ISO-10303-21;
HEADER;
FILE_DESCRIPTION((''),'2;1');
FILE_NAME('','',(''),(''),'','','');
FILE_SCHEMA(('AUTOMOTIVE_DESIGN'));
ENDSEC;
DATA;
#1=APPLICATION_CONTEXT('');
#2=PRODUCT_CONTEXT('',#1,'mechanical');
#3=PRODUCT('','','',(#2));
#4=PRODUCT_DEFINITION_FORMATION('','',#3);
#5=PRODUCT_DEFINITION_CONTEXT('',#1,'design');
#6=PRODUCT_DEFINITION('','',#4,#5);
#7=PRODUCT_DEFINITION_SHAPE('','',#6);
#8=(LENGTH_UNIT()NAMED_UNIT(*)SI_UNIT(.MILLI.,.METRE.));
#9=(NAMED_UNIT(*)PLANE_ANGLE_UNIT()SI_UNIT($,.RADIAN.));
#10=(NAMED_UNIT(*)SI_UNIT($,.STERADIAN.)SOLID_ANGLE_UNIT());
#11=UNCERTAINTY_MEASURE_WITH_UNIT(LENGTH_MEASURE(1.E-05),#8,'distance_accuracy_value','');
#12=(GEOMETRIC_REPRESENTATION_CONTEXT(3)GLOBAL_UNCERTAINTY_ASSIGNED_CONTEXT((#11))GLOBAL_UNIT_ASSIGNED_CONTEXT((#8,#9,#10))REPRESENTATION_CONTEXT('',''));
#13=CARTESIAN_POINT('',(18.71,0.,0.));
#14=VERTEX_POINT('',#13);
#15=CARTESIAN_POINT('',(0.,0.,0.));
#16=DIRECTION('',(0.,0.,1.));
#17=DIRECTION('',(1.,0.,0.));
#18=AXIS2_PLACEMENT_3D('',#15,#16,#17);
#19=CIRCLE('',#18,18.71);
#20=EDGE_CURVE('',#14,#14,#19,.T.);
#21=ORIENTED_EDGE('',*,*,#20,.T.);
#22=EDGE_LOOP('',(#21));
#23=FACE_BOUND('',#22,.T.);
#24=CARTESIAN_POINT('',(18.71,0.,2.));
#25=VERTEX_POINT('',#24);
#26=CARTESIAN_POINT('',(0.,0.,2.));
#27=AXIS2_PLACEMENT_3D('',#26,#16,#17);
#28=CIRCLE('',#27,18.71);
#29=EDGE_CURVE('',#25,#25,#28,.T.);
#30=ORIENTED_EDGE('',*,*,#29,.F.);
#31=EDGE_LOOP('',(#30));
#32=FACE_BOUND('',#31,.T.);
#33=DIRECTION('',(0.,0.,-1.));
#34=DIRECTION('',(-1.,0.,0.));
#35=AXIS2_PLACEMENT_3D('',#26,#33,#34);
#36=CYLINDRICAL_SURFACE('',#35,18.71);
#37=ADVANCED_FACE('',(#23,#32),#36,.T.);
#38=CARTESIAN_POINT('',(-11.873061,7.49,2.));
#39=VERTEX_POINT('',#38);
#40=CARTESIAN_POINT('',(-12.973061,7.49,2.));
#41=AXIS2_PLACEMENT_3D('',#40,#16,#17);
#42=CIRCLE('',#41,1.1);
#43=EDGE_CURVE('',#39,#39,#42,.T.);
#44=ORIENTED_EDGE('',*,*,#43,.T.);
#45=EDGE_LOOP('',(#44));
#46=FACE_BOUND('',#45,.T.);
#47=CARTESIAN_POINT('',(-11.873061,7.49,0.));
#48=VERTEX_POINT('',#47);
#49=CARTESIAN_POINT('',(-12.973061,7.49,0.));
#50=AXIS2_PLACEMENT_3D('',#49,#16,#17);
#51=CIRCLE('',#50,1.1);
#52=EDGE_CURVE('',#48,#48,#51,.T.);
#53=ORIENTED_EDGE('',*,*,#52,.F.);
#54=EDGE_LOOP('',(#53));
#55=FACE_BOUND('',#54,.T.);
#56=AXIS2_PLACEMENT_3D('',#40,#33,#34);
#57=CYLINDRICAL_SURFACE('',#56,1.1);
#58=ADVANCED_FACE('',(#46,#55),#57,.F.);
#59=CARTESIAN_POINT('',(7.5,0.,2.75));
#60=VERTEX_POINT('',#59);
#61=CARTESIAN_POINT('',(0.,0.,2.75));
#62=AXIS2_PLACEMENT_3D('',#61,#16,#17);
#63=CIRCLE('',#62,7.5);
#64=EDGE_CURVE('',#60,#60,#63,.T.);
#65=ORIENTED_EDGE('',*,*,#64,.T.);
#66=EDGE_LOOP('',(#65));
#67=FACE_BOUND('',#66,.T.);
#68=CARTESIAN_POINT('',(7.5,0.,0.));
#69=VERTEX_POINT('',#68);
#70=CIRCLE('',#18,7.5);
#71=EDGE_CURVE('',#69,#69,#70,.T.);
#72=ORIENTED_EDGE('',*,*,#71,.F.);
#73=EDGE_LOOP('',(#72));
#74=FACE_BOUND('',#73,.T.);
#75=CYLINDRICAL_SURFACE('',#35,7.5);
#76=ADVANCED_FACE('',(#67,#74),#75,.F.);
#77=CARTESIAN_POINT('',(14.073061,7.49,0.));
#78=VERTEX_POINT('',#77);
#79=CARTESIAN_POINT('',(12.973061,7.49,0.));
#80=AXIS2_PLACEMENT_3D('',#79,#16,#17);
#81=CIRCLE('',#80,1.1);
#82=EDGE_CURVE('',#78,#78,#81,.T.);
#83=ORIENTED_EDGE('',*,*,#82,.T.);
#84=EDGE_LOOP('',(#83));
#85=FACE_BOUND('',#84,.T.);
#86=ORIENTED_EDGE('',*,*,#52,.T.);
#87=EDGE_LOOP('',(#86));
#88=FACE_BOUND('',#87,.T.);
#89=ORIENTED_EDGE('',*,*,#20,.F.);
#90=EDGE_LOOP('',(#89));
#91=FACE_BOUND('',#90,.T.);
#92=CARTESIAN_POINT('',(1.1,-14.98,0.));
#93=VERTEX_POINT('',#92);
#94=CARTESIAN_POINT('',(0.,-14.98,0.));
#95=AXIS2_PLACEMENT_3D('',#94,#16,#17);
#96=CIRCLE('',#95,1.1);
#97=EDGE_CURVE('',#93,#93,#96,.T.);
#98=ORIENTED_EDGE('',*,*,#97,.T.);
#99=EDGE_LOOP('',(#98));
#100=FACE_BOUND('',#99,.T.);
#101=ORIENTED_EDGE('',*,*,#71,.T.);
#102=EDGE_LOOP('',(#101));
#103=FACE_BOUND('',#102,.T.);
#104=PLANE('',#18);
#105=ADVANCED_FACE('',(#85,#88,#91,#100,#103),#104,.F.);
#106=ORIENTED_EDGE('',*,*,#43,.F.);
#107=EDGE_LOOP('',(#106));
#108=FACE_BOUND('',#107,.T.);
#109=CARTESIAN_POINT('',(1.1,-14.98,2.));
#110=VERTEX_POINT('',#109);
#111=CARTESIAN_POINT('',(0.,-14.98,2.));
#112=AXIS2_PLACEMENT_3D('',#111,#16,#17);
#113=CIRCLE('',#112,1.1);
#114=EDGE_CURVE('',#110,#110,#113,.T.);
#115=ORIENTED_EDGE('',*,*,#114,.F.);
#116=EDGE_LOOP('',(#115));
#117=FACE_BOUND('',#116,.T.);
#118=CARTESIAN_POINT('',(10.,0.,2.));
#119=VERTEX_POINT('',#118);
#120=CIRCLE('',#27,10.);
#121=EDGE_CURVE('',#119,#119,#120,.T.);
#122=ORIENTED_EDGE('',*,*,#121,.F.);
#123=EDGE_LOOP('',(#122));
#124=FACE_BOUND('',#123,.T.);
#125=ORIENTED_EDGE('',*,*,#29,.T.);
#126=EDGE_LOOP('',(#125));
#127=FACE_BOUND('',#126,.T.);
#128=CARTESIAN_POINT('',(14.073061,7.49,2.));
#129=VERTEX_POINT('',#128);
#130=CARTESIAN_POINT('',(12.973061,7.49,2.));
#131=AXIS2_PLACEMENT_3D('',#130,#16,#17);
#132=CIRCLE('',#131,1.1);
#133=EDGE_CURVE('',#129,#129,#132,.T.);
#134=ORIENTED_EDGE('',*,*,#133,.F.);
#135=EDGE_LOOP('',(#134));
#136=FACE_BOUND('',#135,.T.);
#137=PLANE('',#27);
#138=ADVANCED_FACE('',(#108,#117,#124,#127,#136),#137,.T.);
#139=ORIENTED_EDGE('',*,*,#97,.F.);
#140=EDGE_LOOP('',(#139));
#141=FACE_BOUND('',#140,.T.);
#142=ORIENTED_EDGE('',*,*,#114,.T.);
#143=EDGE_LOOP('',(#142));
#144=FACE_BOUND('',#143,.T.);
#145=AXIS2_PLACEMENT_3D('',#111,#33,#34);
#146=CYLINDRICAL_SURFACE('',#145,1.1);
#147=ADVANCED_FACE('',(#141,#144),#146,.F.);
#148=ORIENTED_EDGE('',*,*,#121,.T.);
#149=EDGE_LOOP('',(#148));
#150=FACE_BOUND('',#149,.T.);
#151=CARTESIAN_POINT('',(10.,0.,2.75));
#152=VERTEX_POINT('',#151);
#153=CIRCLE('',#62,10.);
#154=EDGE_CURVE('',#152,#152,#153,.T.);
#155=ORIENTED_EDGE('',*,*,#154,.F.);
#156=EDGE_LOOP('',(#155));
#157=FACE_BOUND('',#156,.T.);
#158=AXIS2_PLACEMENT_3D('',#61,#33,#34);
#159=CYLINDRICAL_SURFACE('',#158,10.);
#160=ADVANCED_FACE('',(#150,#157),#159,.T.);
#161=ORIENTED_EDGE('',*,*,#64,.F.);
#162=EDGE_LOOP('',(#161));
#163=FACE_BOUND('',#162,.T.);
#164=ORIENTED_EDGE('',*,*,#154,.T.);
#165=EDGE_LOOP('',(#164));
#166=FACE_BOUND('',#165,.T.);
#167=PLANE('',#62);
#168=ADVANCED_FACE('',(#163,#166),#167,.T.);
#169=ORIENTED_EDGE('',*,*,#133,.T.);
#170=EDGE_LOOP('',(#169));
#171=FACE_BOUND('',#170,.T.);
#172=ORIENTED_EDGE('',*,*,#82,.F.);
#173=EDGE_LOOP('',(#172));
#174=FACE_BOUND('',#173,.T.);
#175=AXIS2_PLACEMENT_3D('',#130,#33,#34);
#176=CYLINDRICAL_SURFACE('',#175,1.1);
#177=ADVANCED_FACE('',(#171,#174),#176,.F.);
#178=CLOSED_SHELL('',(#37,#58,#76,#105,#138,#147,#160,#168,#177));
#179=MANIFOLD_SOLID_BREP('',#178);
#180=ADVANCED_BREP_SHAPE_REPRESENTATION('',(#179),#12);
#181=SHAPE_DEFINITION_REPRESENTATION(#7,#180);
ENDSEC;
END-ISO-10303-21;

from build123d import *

# Parameters (mm, degrees)
SKETCH1_R           = 18.71
SKETCH1_R_2         = 1.1
SKETCH1_R_3         = 7.5
BOSS_EXTRUDE1_DEPTH = 2
SKETCH2_R           = 10
SKETCH2_R_2         = 7.5
BOSS_EXTRUDE2_DEPTH = 0.75


with BuildPart() as part:
    # Sketch1 → Boss-Extrude1 (new body)
    with BuildSketch(Plane.XY):
        Circle(SKETCH1_R)
        with Locations((0, -14.98)):
            Circle(SKETCH1_R_2, mode=Mode.SUBTRACT)
        with Locations((-12.973060549, 7.49)):
            Circle(SKETCH1_R_2, mode=Mode.SUBTRACT)
        with Locations((12.973060549, 7.49)):
            Circle(SKETCH1_R_2, mode=Mode.SUBTRACT)
        Circle(SKETCH1_R_3, mode=Mode.SUBTRACT)
    extrude(amount=BOSS_EXTRUDE1_DEPTH)

    # Sketch2 → Boss-Extrude2 (add)
    with BuildSketch(Plane.XY.offset(2)):
        Circle(SKETCH2_R)
        Circle(SKETCH2_R_2, mode=Mode.SUBTRACT)
    extrude(amount=BOSS_EXTRUDE2_DEPTH)


solid = part.part
